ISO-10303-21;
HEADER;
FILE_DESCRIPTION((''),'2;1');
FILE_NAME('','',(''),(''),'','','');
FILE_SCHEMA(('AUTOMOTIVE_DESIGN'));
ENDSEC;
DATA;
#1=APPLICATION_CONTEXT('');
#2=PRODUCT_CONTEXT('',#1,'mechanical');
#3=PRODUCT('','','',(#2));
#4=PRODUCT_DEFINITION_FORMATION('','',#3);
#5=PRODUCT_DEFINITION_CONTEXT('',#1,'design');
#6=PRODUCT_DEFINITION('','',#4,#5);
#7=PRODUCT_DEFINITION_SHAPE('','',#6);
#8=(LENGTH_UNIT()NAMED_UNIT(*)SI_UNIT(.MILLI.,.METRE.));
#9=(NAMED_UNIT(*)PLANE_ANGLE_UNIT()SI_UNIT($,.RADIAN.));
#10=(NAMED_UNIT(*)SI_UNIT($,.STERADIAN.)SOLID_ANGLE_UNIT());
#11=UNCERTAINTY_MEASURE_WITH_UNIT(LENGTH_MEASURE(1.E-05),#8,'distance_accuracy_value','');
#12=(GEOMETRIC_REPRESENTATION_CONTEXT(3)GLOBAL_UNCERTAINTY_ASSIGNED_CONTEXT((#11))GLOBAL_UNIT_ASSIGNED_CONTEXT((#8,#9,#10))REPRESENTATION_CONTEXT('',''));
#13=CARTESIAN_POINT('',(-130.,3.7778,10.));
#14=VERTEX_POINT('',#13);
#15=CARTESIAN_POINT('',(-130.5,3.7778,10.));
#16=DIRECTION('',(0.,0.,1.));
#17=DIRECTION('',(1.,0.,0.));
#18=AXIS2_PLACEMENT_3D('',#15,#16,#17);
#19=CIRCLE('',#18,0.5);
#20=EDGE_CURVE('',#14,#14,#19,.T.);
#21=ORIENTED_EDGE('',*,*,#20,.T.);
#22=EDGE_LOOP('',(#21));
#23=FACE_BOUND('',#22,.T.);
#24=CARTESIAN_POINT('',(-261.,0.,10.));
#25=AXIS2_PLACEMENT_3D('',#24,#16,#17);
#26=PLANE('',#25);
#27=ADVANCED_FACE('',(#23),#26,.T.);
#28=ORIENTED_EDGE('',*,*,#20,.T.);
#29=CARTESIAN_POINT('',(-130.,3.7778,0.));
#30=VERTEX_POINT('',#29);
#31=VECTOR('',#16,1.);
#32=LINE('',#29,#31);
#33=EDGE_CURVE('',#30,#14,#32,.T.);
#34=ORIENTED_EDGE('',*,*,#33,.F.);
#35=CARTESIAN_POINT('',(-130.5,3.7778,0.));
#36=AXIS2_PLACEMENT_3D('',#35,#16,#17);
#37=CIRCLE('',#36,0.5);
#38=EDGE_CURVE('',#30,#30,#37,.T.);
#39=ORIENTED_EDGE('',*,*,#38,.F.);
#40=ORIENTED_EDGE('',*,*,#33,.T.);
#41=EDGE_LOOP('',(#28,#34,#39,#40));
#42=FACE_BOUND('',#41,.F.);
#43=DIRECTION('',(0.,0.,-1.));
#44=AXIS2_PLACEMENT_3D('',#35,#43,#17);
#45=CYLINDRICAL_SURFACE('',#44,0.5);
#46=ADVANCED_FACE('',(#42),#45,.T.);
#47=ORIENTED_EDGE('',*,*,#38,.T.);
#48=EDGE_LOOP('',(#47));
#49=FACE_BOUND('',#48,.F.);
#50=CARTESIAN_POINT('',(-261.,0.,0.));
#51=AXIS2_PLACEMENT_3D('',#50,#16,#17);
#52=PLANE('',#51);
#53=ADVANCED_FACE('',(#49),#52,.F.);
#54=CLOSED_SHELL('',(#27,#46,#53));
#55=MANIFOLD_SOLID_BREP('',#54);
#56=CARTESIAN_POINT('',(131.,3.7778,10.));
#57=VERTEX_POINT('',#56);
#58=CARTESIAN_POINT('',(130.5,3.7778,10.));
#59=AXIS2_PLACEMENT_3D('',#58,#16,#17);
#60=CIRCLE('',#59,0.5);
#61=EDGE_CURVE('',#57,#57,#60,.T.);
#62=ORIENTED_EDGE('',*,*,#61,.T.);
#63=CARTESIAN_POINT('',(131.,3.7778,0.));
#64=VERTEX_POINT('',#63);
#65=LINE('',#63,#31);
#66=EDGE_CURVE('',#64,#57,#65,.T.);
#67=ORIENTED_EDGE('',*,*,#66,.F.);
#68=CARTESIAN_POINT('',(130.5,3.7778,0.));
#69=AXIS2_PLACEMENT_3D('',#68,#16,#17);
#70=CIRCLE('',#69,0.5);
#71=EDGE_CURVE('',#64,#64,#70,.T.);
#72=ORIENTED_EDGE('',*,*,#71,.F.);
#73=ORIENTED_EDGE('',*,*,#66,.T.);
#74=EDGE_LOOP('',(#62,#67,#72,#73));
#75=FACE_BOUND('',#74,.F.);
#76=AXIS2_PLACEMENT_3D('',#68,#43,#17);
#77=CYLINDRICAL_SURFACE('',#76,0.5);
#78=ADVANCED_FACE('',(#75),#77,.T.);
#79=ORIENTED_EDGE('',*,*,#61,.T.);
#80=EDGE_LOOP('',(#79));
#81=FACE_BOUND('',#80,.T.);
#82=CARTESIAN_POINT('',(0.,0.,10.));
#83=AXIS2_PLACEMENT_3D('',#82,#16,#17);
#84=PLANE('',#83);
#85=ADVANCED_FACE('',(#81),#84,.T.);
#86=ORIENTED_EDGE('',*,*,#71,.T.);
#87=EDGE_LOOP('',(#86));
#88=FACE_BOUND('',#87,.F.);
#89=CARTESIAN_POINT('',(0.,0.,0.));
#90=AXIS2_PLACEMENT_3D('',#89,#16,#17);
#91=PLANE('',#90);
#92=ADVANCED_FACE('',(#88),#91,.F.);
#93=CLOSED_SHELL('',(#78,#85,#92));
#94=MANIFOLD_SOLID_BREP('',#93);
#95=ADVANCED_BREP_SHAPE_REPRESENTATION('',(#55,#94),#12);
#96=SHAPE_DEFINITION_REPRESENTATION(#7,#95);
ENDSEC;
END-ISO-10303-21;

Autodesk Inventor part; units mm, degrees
ref_plane "YZ Plane" through (0, 0, 0) normal (1, 0, 0) x (0, 1, 0)
ref_plane "XZ Plane" through (0, 0, 0) normal (0, 1, 0) x (-1, 0, 0)
ref_plane "XY Plane" through (0, 0, 0) normal (0, 0, 1) x (1, 0, 0)
sketch "Sketch1" plane through (0, 0, 0) normal (0, 0, 1) x (1, 0, 0)
  line L0 (-190.5, -10.9695) -> (190.5, -10.9695)
  line L1 (190.5, -10.9695) -> (190.5, 10.9695)
  line L2 (190.5, 10.9695) -> (-190.5, 10.9695)
  line L3 (-190.5, 10.9695) -> (-190.5, -10.9695)
  line L4 (-190.5, -10.9695) -> (190.5, 10.9695) construction
  line L5 (190.5, -10.9695) -> (-190.5, 10.9695) construction
  point P0 (0, 0)
  dimension "d0" = 381
  dimension "d1" = 21.939
sketch "Lamello" plane through (0, 0, 0) normal (0, 0, 1) x (1, 0, 0)
  line L0 (48.383, 141.1858) -> (42.783, 141.1858)
  line L1 (40.583, 139.6858) -> (40.583, 114.6858)
  line L2 (42.783, 113.1858) -> (48.383, 113.1858)
  line L3 (50.583, 114.6858) -> (50.583, 139.6858)
  line L4 (50.583, 139.6858) -> (48.383, 141.1858)
  line L5 (40.583, 139.6858) -> (42.783, 141.1858)
  line L6 (40.583, 114.6858) -> (42.783, 113.1858)
  line L7 (50.583, 114.6858) -> (48.383, 113.1858)
  line L8 (50.583, 127.1858) -> (40.583, 127.1858)
  line L9 (45.583, 141.1858) -> (45.583, 113.1858)
  point P0 (45.583, 127.1858)
  point P1 (50.583, 141.1858)
  point P2 (40.583, 113.1858)
  point P3 (40.583, 141.1858)
  point P4 (50.583, 113.1858)
  dimension "d54" = 10
  dimension "d55" = 28
  dimension "d56" = 1.5
  dimension "d57" = 2.2
  dimension "d58" = 1.5
  dimension "d59" = 2.2
  dimension "d60" = 1.5
  dimension "d61" = 2.2
  dimension "d62" = 1.5
  dimension "d63" = 2.2
sketch "Sketch2" plane through (0, 0, 0) normal (0, 0, 1) x (1, 0, 0)
  circle A0 centre (130.5, 3.7778) radius 0.5
  line L0 (190.5, 10.9695) -> (-190.5, 10.9695) projected
  line L1 (-190.5, -10.9695) -> (190.5, -10.9695) projected
  line L2 (0, -145.0303) -> (0, 106.9697) projected
  line L3 (190.5, -10.9695) -> (190.5, 10.9695) projected
  point P0 (0, 0)
  dimension "d4" = 1
  dimension "d50" = 7.1917
  dimension "d70" = 60
extrude "Extrusion1" add sketch "Sketch2" along normal blind 10 contours A0
pattern_linear "Clamex Array" count 2 spacing 261 along (-1, 0, 0) of "Extrusion1"
sketch "Edge-Side Connection" plane through (0, 0, 0) normal (1, 0, 0) x (0, 1, 0)
  line L0 (-50, 0) -> (50, 0)
  line L1 (50, 0) -> (50, 19)
  line L2 (50, 19) -> (-50, 19)
  line L3 (-50, 19) -> (-50, 0)
  line L4 (-10.9695, 0) -> (-34.0635, -40)
  line L5 (-34.0635, -40) -> (-12.1245, -40)
  line L6 (-12.1245, -40) -> (10.9695, 0)
  line L7 (-2.9208, -14) -> (-2.9208, 14) construction
  line L8 (10.9695, 0) -> (2.0792, 0)
  line L9 (-7.9208, -12.5) -> (-15.62, -8.0549)
  point P0 (0, 0)
  point P1 (10.9695, 0)
  point P2 (0, 0)
  dimension "d26" = 100
  dimension "d27" = 19
  dimension "d28" = 40
  dimension "OtherSideRefYCoordinate" = 8.0487
  dimension "ReferenceCoord" = 13.8903
  dimension "d49" = 120
sketch "Edge-Edge Connection" plane through (0, 0, 0) normal (1, 0, 0) x (0, 1, 0)
  line L0 (-109.0303, 19) -> (10.9697, 19)
  line L1 (10.9697, 19) -> (0, 0)
  line L2 (0, 0) -> (-109.0303, 0)
  line L3 (-109.0303, 0) -> (-109.0303, 19)
  line L4 (10.9697, 19) -> (70.9697, -84.923)
  line L5 (0, 0) -> (54.5152, -94.423)
  line L6 (54.5152, -94.423) -> (70.9697, -84.923)
  line L7 (1.0958, 1.8981) -> (0, 0)
  line L8 (-4.7295, 16.8083) -> (-4.7295, 19)
  point P0 (3.5958, 6.2282)
  dimension "d51" = 19
  dimension "d53" = 19
  dimension "EdgeEdgeReferenceCoord" = 7.1917
  dimension "d65" = 120
  dimension "d66" = 120
  dimension "d67" = 120
  dimension "EdgeEdgeOtherSideRefYCoordinate" = 14.7476
equation "\"d9\" = Step"
equation "\"d27\" = NestleBoardT"
equation "\"d0\" = ContactPatchWidth"
equation "\"d1\" = ContactPatchHeight"
equation "\"ContactPatchWidth\" = 381"
equation "\"ContactPatchHeight\" = 21.939"
equation "\"PlacingWidth\" = 261"
equation "\"MinDistBetween\" = 96"
equation "\"Step\" = 261"
equation "\"Y_Coord\" = 7.19169"
equation "\"NestleBoardT\" = 19"
equation "\"PillarBoardT\" = 19"
equation "\"AngleForYPositionCalc\" = 120deg"
equation "\"ConnectionAngle\" = 120deg"
properties part number "Clamex Joint1200"
